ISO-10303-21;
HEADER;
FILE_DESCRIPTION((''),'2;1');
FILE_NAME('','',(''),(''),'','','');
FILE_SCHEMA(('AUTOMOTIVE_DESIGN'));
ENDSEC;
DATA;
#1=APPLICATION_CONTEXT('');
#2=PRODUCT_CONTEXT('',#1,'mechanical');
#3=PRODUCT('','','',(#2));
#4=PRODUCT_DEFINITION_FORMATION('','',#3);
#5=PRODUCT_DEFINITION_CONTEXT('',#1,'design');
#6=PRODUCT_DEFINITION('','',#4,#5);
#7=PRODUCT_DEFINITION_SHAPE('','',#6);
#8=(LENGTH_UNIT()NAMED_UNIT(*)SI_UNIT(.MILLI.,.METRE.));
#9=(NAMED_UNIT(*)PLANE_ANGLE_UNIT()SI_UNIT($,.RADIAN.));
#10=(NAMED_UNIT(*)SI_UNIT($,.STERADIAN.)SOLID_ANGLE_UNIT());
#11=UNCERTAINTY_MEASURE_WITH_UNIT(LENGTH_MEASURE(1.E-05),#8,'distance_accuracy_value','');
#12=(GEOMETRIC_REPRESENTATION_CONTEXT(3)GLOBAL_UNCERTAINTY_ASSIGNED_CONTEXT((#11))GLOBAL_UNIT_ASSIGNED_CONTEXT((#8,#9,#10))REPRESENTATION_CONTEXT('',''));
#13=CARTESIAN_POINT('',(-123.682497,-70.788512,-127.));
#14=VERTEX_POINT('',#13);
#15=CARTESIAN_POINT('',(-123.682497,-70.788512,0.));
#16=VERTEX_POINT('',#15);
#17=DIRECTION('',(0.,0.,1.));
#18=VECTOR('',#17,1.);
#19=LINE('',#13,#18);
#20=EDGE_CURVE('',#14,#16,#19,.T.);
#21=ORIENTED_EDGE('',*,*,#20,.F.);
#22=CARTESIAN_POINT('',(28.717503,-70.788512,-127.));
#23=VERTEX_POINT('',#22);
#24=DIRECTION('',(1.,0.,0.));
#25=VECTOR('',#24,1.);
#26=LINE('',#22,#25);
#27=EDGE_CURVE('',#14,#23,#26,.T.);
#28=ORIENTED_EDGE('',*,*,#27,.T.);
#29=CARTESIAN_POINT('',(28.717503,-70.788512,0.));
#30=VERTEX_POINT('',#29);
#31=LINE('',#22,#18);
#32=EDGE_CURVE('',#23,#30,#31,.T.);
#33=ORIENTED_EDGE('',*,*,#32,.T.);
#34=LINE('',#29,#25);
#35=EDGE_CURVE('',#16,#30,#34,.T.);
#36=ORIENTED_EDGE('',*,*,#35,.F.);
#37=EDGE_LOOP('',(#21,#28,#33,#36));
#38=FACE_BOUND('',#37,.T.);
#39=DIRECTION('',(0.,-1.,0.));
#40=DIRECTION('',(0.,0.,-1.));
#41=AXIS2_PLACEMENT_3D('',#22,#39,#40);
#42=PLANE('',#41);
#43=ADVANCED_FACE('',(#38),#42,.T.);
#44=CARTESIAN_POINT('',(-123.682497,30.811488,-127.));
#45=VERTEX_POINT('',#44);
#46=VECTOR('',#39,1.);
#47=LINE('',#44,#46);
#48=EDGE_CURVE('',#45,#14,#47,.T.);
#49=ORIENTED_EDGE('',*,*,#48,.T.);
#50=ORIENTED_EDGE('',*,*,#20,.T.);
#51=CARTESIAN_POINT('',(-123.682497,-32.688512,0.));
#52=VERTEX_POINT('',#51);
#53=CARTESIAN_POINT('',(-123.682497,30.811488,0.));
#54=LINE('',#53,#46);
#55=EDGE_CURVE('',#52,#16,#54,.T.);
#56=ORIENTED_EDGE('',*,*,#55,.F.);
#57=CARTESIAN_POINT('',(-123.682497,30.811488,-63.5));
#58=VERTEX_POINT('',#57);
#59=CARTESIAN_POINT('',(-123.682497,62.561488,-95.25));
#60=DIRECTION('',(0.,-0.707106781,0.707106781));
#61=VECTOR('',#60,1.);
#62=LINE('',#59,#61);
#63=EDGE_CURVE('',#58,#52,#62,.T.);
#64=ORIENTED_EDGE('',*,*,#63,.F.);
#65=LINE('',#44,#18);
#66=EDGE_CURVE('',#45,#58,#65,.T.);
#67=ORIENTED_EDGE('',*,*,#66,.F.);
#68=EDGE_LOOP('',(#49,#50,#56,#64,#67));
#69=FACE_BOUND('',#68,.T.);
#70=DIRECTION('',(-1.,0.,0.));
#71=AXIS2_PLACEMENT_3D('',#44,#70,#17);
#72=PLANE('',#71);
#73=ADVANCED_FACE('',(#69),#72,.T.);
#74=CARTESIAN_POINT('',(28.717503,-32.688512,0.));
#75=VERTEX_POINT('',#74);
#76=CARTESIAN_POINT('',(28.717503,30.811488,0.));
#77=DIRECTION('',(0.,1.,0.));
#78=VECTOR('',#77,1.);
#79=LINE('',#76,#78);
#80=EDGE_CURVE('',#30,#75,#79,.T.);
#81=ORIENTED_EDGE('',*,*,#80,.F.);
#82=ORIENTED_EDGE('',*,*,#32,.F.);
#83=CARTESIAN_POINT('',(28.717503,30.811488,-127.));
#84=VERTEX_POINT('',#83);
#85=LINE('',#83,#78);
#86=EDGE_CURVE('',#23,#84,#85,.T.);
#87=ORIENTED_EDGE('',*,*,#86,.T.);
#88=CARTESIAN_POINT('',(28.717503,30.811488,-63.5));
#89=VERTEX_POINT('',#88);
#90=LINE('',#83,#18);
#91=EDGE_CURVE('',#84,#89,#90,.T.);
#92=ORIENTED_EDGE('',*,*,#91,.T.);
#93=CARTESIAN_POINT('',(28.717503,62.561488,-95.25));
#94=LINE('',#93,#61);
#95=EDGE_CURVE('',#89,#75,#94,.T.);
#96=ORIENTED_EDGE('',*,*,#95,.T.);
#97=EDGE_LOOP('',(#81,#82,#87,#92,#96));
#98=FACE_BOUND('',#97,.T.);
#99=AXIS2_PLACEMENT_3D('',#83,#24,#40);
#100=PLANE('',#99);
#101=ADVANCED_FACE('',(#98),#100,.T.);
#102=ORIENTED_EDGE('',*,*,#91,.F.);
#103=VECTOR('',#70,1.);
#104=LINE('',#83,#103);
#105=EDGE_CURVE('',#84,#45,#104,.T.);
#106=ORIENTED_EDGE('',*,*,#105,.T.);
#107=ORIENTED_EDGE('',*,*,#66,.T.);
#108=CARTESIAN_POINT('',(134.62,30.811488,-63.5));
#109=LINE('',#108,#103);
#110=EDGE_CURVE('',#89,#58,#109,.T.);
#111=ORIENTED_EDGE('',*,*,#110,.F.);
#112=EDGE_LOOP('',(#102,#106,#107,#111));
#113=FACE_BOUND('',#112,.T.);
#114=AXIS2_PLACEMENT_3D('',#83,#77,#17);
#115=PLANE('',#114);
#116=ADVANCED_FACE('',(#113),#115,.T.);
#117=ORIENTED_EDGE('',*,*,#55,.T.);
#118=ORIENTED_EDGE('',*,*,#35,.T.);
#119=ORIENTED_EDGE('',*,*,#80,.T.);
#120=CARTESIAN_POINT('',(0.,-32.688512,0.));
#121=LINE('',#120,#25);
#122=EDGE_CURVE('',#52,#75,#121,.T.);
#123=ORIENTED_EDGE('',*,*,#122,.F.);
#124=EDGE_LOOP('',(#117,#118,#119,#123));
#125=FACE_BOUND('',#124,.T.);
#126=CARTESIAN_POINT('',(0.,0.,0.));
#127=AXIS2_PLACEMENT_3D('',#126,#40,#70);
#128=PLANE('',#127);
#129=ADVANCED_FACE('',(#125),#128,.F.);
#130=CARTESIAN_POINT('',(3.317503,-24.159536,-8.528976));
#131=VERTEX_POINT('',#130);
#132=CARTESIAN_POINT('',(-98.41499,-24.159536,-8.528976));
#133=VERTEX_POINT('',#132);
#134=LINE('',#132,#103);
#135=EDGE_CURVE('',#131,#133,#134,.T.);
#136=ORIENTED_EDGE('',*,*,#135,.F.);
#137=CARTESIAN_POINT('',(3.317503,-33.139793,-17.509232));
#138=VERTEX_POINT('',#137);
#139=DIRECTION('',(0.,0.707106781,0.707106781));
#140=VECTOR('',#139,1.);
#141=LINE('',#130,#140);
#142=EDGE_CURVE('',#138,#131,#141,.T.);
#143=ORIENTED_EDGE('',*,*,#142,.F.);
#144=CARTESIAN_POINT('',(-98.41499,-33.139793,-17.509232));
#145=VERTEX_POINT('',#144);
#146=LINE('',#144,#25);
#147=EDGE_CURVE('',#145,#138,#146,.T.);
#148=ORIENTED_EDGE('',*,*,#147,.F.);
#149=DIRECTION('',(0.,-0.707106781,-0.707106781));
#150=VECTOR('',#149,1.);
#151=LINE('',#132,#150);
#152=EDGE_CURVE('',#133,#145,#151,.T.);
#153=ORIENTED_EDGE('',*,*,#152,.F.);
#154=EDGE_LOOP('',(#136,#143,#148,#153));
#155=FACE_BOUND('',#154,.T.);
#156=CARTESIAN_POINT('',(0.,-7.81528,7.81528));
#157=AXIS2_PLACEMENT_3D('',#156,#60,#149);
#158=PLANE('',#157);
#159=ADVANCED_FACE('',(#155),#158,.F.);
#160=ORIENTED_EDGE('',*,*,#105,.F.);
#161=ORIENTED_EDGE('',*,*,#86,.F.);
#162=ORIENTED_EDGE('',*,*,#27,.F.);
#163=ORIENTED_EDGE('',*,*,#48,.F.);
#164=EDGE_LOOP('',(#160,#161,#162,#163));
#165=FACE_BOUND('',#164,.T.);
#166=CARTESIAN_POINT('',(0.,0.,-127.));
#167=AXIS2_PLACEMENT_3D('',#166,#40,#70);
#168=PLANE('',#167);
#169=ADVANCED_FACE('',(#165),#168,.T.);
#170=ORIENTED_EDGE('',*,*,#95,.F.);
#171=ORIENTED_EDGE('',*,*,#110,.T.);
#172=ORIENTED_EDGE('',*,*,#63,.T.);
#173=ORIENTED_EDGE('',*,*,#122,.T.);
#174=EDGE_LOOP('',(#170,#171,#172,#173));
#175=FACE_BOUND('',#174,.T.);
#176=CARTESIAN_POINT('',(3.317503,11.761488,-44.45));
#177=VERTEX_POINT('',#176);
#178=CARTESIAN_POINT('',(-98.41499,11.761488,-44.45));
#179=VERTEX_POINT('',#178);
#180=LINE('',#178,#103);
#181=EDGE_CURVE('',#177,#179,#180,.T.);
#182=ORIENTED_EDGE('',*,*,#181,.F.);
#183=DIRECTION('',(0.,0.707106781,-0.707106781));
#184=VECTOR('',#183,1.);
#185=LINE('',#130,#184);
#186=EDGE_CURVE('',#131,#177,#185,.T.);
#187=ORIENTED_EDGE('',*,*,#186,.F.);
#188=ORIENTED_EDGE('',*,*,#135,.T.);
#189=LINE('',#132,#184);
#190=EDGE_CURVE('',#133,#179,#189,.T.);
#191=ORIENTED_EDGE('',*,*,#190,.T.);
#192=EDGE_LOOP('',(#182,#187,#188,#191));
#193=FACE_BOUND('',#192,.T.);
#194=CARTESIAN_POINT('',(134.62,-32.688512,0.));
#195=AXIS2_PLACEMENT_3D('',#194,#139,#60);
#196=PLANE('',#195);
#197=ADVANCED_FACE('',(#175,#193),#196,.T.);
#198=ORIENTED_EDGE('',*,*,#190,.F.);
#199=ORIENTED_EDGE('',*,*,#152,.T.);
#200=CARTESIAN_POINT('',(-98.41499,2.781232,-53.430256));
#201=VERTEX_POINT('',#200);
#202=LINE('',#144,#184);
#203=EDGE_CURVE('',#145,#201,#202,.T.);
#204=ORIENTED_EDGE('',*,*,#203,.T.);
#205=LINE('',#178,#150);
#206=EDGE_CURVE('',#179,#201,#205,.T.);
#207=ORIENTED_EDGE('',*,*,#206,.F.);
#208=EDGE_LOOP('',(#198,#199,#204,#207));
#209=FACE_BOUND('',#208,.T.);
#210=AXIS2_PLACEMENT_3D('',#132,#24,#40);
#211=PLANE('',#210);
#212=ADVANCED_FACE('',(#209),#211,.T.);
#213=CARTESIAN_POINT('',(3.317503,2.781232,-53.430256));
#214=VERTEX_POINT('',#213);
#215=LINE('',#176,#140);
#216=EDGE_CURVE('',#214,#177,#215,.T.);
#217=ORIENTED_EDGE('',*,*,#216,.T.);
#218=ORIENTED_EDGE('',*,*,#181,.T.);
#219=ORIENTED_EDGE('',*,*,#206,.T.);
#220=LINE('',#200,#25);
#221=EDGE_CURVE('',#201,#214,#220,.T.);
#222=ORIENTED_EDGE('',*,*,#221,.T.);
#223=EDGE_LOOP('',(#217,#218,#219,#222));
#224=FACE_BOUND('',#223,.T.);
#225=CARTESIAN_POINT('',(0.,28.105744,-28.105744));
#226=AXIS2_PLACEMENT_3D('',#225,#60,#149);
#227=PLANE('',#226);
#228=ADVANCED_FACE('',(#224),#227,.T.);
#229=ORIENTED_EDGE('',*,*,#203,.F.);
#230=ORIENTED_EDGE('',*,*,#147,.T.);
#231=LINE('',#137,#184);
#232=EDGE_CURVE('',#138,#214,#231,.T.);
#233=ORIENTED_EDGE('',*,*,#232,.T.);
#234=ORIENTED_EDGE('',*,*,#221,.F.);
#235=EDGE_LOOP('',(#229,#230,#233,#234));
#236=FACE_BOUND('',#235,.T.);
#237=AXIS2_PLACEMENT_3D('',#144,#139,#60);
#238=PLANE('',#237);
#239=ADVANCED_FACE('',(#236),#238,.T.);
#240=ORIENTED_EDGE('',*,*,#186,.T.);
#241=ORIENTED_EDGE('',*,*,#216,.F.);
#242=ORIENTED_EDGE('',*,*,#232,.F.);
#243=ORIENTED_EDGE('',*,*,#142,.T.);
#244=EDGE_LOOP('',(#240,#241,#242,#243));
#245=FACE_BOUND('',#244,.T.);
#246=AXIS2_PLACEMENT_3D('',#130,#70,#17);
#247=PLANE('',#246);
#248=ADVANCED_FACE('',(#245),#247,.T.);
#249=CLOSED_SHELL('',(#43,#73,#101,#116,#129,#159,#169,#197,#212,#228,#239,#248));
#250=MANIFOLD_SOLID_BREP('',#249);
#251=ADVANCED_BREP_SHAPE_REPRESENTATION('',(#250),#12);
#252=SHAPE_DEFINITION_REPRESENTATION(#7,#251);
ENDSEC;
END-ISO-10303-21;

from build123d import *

# Parameters (mm, degrees)
SKETCH1_W           = 152.4
SKETCH1_H           = 101.6
BOSS_EXTRUDE1_DEPTH = 127
CUT_EXTRUDE1_DEPTH  = 134.62
CUT_EXTRUDE2_DEPTH  = 134.62
SKETCH5_W           = 101.732493014
SKETCH5_H           = 12.7
CUT_EXTRUDE4_DEPTH  = 50.8


with BuildPart() as part:
    # Sketch1 → Boss-Extrude1 (new body)
    with BuildSketch(Plane.XY):
        with Locations((-47.482496627, -19.988512007)):
            Rectangle(SKETCH1_W, SKETCH1_H)
    extrude(amount=-BOSS_EXTRUDE1_DEPTH)

    # Sketch2 → Cut-Extrude1 (cut)
    with BuildSketch(Plane(origin=(0, 0, 0), x_dir=(0, 0, -1), z_dir=(1, 0, 0))):
        Polygon((0, 30.811487993), (0, -32.688512007), (63.5, 30.811487993), align=None)
    extrude(amount=CUT_EXTRUDE1_DEPTH, mode=Mode.SUBTRACT)

    # Sketch3 → Cut-Extrude2 (cut)
    with BuildSketch(Plane(origin=(0, 0, 0), x_dir=(0, 0, -1), z_dir=(1, 0, 0))):
        Polygon((0, -32.688512007), (0, 30.811487993), (63.5, 30.811487993), align=None)
    extrude(amount=-CUT_EXTRUDE2_DEPTH, mode=Mode.SUBTRACT)

    # Sketch5 → Cut-Extrude4 (cut)
    with BuildSketch(Plane(origin=(0, 28.105743997, -28.105743997), x_dir=(1, 0, 0), z_dir=(0, -0.7071067811865512, 0.7071067811865438))):
        with Locations((-47.548743134, -29.464268507)):
            Rectangle(SKETCH5_W, SKETCH5_H)
    extrude(amount=CUT_EXTRUDE4_DEPTH, mode=Mode.SUBTRACT)


solid = part.part
